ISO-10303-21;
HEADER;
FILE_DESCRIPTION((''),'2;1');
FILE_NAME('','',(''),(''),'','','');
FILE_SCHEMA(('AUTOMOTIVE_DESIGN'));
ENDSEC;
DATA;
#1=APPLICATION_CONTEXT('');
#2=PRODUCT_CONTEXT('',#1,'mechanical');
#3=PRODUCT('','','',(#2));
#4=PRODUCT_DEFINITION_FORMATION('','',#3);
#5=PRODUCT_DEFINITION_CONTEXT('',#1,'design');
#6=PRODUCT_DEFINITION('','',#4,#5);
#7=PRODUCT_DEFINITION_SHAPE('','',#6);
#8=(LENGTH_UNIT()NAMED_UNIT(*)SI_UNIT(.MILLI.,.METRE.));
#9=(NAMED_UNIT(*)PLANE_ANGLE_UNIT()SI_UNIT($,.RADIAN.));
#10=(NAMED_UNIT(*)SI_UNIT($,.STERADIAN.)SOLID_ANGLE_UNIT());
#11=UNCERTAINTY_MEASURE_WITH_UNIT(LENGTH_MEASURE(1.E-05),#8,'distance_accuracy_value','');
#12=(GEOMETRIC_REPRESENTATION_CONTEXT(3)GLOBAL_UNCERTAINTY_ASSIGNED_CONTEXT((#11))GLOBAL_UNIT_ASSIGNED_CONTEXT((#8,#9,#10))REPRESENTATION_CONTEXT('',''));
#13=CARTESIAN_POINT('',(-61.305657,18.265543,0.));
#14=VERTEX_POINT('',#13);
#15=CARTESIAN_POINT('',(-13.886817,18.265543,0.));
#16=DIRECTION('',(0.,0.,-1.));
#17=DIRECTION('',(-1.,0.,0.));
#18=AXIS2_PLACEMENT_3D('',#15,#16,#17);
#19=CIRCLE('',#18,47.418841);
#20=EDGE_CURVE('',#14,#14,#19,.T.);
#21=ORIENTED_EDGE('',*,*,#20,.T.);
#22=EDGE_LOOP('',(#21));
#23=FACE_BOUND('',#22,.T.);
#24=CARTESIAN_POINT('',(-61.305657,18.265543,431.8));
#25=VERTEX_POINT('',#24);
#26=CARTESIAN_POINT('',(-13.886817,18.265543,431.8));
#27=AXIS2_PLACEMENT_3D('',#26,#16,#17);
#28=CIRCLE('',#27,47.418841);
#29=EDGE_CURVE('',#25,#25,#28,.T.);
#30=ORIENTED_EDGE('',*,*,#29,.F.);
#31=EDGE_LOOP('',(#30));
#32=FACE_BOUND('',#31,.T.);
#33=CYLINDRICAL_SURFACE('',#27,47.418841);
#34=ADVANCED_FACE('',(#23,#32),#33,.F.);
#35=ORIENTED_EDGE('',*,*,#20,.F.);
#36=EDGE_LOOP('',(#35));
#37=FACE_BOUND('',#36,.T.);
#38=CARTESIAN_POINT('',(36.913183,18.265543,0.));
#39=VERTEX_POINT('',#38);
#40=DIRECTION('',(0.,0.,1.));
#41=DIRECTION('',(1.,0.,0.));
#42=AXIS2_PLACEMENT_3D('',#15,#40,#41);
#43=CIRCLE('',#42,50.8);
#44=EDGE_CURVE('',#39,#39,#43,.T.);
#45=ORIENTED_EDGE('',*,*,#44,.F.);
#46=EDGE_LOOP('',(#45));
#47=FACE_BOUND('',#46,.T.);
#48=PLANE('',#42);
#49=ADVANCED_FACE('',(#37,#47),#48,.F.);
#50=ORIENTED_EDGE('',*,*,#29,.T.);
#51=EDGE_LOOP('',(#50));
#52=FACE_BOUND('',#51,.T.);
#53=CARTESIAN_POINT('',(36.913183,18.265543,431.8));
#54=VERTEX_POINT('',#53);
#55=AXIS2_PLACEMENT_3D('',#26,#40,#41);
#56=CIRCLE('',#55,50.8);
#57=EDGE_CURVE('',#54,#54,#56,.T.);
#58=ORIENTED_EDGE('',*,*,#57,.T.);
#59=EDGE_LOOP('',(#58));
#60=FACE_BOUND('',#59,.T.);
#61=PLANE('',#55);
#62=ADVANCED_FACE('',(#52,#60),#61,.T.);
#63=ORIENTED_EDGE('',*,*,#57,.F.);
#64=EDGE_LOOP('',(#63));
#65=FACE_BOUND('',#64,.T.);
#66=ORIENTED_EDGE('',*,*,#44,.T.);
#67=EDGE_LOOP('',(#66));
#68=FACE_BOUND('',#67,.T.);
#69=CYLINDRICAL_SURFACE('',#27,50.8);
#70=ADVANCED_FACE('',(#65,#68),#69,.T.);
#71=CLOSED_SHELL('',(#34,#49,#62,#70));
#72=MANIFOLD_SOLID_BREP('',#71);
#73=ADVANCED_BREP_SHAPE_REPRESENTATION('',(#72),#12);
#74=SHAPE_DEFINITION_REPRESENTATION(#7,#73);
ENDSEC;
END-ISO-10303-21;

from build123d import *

# Parameters (mm, degrees)
SKETCH1_R           = 50.8
BOSS_EXTRUDE1_DEPTH = 431.8
SKETCH2_R           = 47.418840819
CUT_EXTRUDE1_DEPTH  = 431.8


with BuildPart() as part:
    # Sketch1 → Boss-Extrude1 (new body)
    with BuildSketch(Plane.XY):
        with Locations((-13.886816657, 18.265542629)):
            Circle(SKETCH1_R)
    extrude(amount=BOSS_EXTRUDE1_DEPTH)

    # Sketch2 → Cut-Extrude1 (cut)
    with BuildSketch(Plane(origin=(0, 0, 0), x_dir=(-1, 0, 0), z_dir=(0, 0, -1))):
        with Locations((13.886816657, 18.265542629)):
            Circle(SKETCH2_R)
    extrude(amount=-CUT_EXTRUDE1_DEPTH, mode=Mode.SUBTRACT)


solid = part.part
